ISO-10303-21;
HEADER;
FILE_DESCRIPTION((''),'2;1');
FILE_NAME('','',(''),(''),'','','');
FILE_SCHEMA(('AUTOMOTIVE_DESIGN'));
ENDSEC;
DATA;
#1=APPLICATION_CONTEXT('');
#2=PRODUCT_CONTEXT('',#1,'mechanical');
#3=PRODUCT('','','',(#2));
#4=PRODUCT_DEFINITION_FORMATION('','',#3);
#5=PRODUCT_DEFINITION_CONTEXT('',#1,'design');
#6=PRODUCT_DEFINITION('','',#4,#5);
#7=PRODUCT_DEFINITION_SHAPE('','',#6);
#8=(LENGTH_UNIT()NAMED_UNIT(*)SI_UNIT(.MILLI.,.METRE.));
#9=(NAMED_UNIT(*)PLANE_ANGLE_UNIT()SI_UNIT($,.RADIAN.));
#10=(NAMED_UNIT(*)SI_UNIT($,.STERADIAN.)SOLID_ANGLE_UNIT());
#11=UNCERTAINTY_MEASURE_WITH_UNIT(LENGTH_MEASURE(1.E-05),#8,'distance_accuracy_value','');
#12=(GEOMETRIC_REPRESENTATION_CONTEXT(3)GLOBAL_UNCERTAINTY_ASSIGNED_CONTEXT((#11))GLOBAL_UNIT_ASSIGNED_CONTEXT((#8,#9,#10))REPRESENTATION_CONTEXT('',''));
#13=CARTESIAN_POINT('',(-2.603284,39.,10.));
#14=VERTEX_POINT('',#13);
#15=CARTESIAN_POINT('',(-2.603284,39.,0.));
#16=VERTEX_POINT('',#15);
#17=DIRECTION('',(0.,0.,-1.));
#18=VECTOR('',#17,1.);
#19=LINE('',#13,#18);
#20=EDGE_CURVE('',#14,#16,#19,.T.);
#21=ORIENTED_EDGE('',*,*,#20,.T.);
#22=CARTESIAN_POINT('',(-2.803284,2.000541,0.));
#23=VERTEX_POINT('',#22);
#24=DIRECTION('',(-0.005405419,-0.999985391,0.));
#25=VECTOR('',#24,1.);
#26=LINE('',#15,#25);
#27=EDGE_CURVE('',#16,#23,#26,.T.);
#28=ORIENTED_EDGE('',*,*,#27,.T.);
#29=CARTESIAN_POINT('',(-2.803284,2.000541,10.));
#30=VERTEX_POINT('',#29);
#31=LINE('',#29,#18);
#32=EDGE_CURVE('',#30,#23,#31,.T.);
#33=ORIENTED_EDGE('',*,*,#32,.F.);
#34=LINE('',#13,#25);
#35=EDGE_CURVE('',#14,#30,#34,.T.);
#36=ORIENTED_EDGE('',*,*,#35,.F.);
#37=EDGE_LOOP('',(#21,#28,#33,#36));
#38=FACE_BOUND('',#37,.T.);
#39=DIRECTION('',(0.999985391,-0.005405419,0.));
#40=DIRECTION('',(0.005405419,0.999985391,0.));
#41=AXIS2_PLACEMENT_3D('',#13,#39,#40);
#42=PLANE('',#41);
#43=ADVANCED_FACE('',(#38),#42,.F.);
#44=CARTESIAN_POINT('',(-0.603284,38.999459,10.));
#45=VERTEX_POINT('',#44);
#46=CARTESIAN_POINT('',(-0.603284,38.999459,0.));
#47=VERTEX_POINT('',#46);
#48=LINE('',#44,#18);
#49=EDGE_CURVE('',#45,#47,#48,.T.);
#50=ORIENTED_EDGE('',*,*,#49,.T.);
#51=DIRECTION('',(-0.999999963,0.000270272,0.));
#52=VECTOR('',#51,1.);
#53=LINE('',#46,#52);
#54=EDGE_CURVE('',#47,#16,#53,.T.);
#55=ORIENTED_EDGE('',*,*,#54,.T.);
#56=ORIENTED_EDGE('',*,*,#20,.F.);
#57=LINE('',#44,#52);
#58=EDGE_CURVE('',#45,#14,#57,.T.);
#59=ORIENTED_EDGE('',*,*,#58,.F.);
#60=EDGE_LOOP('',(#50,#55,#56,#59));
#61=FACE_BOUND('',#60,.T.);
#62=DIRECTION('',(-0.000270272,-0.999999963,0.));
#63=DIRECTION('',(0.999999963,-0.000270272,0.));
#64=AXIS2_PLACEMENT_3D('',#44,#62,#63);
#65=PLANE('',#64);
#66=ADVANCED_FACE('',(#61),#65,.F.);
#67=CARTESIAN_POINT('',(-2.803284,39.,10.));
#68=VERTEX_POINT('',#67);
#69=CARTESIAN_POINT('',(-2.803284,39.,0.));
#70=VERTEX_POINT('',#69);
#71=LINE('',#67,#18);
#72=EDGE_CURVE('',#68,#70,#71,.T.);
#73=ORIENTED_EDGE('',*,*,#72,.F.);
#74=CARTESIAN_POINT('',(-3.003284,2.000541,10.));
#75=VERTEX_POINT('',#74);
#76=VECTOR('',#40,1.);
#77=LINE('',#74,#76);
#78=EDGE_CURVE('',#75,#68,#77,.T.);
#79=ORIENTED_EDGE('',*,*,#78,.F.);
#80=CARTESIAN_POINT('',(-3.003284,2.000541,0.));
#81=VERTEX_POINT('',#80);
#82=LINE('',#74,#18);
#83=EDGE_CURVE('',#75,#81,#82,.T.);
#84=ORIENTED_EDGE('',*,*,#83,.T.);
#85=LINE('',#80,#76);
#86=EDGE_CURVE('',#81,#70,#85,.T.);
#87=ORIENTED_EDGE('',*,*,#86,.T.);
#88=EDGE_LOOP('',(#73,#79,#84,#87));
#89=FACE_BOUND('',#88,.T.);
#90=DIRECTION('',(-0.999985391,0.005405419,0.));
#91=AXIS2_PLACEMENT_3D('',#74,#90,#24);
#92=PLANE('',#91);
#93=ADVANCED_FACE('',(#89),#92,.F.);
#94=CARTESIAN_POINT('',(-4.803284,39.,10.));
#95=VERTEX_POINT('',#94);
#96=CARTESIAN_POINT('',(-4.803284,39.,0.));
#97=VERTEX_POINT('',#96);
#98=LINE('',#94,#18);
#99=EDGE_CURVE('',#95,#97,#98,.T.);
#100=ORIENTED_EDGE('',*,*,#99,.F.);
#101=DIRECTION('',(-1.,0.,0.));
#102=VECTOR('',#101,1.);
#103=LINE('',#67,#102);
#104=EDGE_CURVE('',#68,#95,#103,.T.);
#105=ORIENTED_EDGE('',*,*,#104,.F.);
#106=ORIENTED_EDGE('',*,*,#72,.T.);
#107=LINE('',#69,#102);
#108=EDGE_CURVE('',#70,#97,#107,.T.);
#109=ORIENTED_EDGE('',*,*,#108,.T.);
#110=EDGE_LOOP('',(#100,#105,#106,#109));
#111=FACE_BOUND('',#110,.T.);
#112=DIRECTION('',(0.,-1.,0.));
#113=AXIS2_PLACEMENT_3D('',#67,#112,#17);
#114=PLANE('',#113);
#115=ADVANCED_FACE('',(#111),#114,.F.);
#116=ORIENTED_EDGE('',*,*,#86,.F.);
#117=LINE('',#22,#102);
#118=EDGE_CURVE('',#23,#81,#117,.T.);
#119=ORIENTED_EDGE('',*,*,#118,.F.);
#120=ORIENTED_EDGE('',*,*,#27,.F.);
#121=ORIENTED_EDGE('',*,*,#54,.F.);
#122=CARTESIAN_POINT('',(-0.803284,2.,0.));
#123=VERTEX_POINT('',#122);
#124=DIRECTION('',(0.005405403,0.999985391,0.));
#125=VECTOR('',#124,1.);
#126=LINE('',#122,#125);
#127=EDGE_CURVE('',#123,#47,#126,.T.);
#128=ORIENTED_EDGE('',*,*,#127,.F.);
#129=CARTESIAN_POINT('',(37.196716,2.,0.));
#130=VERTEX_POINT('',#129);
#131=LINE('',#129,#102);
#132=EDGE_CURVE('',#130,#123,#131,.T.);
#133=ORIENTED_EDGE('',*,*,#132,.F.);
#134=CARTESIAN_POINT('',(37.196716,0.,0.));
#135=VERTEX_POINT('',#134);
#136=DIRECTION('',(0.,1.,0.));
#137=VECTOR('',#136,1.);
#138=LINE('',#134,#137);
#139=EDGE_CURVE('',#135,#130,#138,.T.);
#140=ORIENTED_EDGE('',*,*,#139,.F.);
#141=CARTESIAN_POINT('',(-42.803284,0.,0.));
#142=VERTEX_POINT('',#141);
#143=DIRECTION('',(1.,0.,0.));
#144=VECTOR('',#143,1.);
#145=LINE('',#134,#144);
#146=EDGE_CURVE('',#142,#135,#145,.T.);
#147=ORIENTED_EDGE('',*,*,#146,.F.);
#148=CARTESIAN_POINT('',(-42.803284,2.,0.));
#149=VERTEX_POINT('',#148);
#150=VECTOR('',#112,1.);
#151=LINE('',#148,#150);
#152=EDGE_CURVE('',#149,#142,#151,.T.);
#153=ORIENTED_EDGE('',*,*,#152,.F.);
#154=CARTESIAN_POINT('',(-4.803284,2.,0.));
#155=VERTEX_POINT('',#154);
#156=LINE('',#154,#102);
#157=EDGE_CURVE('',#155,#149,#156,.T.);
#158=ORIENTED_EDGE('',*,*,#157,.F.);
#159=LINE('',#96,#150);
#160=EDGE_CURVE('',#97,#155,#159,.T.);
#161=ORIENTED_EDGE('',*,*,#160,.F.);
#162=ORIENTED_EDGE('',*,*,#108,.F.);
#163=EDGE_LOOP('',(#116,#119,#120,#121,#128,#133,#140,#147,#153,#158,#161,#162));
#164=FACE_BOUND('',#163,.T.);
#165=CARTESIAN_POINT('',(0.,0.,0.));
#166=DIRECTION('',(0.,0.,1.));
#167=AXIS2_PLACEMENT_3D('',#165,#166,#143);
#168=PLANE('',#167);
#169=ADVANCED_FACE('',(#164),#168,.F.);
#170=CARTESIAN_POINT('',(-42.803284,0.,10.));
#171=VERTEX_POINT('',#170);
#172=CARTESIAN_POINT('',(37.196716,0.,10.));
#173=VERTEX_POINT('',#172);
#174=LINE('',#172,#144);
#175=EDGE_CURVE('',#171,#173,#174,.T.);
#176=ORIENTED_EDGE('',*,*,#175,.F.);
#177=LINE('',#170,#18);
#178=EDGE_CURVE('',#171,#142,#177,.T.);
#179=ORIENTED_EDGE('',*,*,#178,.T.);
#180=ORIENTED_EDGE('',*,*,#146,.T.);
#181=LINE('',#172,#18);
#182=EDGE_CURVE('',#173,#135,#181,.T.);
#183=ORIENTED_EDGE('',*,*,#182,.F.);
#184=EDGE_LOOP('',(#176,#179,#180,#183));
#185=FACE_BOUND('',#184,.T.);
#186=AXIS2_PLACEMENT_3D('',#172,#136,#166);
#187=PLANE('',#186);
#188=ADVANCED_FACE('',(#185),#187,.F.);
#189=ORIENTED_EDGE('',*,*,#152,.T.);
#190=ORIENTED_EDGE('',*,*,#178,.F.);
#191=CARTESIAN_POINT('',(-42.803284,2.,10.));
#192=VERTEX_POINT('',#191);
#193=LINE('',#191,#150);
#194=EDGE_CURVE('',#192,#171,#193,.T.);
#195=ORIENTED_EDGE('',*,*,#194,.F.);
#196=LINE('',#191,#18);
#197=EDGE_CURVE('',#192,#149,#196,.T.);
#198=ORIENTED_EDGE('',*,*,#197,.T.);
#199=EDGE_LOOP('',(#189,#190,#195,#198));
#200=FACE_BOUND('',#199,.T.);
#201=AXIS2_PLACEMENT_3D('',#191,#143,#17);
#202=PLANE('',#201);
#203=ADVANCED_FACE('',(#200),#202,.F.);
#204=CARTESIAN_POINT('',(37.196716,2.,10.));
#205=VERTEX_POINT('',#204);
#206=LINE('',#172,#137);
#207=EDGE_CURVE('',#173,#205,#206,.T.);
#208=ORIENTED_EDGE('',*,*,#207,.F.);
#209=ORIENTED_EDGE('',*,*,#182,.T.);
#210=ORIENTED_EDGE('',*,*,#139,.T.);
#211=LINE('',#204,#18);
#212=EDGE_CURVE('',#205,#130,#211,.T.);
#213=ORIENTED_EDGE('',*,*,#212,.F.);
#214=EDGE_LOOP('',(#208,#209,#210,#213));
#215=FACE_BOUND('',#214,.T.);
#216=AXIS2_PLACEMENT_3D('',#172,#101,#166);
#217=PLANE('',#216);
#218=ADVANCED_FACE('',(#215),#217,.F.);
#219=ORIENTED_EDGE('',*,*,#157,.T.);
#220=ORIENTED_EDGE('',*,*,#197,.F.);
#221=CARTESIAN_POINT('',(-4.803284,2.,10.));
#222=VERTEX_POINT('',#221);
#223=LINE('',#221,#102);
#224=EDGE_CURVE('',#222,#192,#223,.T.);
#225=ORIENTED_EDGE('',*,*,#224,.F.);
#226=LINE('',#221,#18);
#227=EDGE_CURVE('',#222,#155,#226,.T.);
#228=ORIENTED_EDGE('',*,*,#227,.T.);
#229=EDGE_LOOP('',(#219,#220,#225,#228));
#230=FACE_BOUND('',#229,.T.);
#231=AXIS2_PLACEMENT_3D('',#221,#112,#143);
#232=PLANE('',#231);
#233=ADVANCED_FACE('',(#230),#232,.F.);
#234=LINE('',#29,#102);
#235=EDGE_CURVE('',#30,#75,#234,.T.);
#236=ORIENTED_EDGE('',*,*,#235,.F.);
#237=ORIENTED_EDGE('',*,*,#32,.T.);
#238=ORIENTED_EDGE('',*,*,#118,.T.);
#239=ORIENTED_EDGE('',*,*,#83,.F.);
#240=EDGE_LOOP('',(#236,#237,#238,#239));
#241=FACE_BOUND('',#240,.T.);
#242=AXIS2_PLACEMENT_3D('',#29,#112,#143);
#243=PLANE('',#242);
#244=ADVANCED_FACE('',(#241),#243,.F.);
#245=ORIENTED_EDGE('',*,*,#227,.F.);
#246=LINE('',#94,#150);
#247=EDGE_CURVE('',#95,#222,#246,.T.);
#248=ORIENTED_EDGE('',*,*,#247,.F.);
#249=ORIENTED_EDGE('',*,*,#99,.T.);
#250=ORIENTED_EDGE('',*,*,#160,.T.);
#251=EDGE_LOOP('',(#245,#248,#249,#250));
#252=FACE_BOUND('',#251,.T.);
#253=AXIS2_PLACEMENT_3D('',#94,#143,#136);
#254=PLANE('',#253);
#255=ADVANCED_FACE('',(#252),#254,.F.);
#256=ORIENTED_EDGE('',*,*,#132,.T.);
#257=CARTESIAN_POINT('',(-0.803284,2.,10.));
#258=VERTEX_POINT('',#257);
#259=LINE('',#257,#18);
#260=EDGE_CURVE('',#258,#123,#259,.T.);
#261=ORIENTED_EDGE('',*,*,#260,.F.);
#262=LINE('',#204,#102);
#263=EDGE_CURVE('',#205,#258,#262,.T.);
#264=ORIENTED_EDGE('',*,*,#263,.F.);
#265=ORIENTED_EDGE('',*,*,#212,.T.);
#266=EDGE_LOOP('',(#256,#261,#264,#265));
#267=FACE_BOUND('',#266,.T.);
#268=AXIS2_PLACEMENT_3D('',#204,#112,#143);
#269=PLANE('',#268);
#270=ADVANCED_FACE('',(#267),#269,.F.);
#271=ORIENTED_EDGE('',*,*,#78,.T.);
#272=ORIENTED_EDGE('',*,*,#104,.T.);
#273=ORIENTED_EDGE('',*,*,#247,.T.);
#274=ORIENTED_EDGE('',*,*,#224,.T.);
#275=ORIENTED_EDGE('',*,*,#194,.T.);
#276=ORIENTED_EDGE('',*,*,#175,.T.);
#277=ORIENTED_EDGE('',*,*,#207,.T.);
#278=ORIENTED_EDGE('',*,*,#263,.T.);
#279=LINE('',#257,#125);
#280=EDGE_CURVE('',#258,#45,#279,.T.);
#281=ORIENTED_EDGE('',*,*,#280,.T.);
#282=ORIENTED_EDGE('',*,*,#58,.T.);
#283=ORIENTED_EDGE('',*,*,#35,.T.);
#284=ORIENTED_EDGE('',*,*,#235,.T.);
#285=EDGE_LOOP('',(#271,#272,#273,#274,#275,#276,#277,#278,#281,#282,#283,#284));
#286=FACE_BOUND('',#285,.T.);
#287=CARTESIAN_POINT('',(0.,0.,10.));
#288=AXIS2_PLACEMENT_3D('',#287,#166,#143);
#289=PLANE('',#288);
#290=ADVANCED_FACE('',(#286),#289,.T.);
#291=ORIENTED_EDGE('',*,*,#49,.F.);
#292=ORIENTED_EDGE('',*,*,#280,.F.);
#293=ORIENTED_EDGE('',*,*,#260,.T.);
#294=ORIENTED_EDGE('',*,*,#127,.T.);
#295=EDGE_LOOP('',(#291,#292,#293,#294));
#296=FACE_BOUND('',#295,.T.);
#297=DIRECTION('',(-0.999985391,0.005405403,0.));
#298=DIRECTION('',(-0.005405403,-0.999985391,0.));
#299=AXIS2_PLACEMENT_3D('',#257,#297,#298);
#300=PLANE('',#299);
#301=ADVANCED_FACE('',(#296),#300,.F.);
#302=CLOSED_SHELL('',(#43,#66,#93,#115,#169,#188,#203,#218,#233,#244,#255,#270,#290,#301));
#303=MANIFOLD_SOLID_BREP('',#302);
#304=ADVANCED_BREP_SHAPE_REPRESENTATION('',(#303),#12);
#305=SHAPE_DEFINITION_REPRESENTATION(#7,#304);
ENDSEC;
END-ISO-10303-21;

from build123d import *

# Parameters (mm, degrees)
BOSS_EXTRU_1_DEPTH = 10


with BuildPart() as part:
    # Esquisse1 → Boss.-Extru.1 (new body)
    with BuildSketch(Plane.XY):
        Polygon((37.196716412, 0), (-42.803283588, 0), (-42.803283588, 2), (-4.803283588, 2), (-4.803283588, 39), (-2.803283588, 39), (-3.003284075, 2.000540547), (-2.803284075, 2.000540547), (-2.603283588, 39), (-0.603283661, 38.999459456), (-0.803283588, 2), (37.196716412, 2), align=None)
    extrude(amount=BOSS_EXTRU_1_DEPTH)


solid = part.part
